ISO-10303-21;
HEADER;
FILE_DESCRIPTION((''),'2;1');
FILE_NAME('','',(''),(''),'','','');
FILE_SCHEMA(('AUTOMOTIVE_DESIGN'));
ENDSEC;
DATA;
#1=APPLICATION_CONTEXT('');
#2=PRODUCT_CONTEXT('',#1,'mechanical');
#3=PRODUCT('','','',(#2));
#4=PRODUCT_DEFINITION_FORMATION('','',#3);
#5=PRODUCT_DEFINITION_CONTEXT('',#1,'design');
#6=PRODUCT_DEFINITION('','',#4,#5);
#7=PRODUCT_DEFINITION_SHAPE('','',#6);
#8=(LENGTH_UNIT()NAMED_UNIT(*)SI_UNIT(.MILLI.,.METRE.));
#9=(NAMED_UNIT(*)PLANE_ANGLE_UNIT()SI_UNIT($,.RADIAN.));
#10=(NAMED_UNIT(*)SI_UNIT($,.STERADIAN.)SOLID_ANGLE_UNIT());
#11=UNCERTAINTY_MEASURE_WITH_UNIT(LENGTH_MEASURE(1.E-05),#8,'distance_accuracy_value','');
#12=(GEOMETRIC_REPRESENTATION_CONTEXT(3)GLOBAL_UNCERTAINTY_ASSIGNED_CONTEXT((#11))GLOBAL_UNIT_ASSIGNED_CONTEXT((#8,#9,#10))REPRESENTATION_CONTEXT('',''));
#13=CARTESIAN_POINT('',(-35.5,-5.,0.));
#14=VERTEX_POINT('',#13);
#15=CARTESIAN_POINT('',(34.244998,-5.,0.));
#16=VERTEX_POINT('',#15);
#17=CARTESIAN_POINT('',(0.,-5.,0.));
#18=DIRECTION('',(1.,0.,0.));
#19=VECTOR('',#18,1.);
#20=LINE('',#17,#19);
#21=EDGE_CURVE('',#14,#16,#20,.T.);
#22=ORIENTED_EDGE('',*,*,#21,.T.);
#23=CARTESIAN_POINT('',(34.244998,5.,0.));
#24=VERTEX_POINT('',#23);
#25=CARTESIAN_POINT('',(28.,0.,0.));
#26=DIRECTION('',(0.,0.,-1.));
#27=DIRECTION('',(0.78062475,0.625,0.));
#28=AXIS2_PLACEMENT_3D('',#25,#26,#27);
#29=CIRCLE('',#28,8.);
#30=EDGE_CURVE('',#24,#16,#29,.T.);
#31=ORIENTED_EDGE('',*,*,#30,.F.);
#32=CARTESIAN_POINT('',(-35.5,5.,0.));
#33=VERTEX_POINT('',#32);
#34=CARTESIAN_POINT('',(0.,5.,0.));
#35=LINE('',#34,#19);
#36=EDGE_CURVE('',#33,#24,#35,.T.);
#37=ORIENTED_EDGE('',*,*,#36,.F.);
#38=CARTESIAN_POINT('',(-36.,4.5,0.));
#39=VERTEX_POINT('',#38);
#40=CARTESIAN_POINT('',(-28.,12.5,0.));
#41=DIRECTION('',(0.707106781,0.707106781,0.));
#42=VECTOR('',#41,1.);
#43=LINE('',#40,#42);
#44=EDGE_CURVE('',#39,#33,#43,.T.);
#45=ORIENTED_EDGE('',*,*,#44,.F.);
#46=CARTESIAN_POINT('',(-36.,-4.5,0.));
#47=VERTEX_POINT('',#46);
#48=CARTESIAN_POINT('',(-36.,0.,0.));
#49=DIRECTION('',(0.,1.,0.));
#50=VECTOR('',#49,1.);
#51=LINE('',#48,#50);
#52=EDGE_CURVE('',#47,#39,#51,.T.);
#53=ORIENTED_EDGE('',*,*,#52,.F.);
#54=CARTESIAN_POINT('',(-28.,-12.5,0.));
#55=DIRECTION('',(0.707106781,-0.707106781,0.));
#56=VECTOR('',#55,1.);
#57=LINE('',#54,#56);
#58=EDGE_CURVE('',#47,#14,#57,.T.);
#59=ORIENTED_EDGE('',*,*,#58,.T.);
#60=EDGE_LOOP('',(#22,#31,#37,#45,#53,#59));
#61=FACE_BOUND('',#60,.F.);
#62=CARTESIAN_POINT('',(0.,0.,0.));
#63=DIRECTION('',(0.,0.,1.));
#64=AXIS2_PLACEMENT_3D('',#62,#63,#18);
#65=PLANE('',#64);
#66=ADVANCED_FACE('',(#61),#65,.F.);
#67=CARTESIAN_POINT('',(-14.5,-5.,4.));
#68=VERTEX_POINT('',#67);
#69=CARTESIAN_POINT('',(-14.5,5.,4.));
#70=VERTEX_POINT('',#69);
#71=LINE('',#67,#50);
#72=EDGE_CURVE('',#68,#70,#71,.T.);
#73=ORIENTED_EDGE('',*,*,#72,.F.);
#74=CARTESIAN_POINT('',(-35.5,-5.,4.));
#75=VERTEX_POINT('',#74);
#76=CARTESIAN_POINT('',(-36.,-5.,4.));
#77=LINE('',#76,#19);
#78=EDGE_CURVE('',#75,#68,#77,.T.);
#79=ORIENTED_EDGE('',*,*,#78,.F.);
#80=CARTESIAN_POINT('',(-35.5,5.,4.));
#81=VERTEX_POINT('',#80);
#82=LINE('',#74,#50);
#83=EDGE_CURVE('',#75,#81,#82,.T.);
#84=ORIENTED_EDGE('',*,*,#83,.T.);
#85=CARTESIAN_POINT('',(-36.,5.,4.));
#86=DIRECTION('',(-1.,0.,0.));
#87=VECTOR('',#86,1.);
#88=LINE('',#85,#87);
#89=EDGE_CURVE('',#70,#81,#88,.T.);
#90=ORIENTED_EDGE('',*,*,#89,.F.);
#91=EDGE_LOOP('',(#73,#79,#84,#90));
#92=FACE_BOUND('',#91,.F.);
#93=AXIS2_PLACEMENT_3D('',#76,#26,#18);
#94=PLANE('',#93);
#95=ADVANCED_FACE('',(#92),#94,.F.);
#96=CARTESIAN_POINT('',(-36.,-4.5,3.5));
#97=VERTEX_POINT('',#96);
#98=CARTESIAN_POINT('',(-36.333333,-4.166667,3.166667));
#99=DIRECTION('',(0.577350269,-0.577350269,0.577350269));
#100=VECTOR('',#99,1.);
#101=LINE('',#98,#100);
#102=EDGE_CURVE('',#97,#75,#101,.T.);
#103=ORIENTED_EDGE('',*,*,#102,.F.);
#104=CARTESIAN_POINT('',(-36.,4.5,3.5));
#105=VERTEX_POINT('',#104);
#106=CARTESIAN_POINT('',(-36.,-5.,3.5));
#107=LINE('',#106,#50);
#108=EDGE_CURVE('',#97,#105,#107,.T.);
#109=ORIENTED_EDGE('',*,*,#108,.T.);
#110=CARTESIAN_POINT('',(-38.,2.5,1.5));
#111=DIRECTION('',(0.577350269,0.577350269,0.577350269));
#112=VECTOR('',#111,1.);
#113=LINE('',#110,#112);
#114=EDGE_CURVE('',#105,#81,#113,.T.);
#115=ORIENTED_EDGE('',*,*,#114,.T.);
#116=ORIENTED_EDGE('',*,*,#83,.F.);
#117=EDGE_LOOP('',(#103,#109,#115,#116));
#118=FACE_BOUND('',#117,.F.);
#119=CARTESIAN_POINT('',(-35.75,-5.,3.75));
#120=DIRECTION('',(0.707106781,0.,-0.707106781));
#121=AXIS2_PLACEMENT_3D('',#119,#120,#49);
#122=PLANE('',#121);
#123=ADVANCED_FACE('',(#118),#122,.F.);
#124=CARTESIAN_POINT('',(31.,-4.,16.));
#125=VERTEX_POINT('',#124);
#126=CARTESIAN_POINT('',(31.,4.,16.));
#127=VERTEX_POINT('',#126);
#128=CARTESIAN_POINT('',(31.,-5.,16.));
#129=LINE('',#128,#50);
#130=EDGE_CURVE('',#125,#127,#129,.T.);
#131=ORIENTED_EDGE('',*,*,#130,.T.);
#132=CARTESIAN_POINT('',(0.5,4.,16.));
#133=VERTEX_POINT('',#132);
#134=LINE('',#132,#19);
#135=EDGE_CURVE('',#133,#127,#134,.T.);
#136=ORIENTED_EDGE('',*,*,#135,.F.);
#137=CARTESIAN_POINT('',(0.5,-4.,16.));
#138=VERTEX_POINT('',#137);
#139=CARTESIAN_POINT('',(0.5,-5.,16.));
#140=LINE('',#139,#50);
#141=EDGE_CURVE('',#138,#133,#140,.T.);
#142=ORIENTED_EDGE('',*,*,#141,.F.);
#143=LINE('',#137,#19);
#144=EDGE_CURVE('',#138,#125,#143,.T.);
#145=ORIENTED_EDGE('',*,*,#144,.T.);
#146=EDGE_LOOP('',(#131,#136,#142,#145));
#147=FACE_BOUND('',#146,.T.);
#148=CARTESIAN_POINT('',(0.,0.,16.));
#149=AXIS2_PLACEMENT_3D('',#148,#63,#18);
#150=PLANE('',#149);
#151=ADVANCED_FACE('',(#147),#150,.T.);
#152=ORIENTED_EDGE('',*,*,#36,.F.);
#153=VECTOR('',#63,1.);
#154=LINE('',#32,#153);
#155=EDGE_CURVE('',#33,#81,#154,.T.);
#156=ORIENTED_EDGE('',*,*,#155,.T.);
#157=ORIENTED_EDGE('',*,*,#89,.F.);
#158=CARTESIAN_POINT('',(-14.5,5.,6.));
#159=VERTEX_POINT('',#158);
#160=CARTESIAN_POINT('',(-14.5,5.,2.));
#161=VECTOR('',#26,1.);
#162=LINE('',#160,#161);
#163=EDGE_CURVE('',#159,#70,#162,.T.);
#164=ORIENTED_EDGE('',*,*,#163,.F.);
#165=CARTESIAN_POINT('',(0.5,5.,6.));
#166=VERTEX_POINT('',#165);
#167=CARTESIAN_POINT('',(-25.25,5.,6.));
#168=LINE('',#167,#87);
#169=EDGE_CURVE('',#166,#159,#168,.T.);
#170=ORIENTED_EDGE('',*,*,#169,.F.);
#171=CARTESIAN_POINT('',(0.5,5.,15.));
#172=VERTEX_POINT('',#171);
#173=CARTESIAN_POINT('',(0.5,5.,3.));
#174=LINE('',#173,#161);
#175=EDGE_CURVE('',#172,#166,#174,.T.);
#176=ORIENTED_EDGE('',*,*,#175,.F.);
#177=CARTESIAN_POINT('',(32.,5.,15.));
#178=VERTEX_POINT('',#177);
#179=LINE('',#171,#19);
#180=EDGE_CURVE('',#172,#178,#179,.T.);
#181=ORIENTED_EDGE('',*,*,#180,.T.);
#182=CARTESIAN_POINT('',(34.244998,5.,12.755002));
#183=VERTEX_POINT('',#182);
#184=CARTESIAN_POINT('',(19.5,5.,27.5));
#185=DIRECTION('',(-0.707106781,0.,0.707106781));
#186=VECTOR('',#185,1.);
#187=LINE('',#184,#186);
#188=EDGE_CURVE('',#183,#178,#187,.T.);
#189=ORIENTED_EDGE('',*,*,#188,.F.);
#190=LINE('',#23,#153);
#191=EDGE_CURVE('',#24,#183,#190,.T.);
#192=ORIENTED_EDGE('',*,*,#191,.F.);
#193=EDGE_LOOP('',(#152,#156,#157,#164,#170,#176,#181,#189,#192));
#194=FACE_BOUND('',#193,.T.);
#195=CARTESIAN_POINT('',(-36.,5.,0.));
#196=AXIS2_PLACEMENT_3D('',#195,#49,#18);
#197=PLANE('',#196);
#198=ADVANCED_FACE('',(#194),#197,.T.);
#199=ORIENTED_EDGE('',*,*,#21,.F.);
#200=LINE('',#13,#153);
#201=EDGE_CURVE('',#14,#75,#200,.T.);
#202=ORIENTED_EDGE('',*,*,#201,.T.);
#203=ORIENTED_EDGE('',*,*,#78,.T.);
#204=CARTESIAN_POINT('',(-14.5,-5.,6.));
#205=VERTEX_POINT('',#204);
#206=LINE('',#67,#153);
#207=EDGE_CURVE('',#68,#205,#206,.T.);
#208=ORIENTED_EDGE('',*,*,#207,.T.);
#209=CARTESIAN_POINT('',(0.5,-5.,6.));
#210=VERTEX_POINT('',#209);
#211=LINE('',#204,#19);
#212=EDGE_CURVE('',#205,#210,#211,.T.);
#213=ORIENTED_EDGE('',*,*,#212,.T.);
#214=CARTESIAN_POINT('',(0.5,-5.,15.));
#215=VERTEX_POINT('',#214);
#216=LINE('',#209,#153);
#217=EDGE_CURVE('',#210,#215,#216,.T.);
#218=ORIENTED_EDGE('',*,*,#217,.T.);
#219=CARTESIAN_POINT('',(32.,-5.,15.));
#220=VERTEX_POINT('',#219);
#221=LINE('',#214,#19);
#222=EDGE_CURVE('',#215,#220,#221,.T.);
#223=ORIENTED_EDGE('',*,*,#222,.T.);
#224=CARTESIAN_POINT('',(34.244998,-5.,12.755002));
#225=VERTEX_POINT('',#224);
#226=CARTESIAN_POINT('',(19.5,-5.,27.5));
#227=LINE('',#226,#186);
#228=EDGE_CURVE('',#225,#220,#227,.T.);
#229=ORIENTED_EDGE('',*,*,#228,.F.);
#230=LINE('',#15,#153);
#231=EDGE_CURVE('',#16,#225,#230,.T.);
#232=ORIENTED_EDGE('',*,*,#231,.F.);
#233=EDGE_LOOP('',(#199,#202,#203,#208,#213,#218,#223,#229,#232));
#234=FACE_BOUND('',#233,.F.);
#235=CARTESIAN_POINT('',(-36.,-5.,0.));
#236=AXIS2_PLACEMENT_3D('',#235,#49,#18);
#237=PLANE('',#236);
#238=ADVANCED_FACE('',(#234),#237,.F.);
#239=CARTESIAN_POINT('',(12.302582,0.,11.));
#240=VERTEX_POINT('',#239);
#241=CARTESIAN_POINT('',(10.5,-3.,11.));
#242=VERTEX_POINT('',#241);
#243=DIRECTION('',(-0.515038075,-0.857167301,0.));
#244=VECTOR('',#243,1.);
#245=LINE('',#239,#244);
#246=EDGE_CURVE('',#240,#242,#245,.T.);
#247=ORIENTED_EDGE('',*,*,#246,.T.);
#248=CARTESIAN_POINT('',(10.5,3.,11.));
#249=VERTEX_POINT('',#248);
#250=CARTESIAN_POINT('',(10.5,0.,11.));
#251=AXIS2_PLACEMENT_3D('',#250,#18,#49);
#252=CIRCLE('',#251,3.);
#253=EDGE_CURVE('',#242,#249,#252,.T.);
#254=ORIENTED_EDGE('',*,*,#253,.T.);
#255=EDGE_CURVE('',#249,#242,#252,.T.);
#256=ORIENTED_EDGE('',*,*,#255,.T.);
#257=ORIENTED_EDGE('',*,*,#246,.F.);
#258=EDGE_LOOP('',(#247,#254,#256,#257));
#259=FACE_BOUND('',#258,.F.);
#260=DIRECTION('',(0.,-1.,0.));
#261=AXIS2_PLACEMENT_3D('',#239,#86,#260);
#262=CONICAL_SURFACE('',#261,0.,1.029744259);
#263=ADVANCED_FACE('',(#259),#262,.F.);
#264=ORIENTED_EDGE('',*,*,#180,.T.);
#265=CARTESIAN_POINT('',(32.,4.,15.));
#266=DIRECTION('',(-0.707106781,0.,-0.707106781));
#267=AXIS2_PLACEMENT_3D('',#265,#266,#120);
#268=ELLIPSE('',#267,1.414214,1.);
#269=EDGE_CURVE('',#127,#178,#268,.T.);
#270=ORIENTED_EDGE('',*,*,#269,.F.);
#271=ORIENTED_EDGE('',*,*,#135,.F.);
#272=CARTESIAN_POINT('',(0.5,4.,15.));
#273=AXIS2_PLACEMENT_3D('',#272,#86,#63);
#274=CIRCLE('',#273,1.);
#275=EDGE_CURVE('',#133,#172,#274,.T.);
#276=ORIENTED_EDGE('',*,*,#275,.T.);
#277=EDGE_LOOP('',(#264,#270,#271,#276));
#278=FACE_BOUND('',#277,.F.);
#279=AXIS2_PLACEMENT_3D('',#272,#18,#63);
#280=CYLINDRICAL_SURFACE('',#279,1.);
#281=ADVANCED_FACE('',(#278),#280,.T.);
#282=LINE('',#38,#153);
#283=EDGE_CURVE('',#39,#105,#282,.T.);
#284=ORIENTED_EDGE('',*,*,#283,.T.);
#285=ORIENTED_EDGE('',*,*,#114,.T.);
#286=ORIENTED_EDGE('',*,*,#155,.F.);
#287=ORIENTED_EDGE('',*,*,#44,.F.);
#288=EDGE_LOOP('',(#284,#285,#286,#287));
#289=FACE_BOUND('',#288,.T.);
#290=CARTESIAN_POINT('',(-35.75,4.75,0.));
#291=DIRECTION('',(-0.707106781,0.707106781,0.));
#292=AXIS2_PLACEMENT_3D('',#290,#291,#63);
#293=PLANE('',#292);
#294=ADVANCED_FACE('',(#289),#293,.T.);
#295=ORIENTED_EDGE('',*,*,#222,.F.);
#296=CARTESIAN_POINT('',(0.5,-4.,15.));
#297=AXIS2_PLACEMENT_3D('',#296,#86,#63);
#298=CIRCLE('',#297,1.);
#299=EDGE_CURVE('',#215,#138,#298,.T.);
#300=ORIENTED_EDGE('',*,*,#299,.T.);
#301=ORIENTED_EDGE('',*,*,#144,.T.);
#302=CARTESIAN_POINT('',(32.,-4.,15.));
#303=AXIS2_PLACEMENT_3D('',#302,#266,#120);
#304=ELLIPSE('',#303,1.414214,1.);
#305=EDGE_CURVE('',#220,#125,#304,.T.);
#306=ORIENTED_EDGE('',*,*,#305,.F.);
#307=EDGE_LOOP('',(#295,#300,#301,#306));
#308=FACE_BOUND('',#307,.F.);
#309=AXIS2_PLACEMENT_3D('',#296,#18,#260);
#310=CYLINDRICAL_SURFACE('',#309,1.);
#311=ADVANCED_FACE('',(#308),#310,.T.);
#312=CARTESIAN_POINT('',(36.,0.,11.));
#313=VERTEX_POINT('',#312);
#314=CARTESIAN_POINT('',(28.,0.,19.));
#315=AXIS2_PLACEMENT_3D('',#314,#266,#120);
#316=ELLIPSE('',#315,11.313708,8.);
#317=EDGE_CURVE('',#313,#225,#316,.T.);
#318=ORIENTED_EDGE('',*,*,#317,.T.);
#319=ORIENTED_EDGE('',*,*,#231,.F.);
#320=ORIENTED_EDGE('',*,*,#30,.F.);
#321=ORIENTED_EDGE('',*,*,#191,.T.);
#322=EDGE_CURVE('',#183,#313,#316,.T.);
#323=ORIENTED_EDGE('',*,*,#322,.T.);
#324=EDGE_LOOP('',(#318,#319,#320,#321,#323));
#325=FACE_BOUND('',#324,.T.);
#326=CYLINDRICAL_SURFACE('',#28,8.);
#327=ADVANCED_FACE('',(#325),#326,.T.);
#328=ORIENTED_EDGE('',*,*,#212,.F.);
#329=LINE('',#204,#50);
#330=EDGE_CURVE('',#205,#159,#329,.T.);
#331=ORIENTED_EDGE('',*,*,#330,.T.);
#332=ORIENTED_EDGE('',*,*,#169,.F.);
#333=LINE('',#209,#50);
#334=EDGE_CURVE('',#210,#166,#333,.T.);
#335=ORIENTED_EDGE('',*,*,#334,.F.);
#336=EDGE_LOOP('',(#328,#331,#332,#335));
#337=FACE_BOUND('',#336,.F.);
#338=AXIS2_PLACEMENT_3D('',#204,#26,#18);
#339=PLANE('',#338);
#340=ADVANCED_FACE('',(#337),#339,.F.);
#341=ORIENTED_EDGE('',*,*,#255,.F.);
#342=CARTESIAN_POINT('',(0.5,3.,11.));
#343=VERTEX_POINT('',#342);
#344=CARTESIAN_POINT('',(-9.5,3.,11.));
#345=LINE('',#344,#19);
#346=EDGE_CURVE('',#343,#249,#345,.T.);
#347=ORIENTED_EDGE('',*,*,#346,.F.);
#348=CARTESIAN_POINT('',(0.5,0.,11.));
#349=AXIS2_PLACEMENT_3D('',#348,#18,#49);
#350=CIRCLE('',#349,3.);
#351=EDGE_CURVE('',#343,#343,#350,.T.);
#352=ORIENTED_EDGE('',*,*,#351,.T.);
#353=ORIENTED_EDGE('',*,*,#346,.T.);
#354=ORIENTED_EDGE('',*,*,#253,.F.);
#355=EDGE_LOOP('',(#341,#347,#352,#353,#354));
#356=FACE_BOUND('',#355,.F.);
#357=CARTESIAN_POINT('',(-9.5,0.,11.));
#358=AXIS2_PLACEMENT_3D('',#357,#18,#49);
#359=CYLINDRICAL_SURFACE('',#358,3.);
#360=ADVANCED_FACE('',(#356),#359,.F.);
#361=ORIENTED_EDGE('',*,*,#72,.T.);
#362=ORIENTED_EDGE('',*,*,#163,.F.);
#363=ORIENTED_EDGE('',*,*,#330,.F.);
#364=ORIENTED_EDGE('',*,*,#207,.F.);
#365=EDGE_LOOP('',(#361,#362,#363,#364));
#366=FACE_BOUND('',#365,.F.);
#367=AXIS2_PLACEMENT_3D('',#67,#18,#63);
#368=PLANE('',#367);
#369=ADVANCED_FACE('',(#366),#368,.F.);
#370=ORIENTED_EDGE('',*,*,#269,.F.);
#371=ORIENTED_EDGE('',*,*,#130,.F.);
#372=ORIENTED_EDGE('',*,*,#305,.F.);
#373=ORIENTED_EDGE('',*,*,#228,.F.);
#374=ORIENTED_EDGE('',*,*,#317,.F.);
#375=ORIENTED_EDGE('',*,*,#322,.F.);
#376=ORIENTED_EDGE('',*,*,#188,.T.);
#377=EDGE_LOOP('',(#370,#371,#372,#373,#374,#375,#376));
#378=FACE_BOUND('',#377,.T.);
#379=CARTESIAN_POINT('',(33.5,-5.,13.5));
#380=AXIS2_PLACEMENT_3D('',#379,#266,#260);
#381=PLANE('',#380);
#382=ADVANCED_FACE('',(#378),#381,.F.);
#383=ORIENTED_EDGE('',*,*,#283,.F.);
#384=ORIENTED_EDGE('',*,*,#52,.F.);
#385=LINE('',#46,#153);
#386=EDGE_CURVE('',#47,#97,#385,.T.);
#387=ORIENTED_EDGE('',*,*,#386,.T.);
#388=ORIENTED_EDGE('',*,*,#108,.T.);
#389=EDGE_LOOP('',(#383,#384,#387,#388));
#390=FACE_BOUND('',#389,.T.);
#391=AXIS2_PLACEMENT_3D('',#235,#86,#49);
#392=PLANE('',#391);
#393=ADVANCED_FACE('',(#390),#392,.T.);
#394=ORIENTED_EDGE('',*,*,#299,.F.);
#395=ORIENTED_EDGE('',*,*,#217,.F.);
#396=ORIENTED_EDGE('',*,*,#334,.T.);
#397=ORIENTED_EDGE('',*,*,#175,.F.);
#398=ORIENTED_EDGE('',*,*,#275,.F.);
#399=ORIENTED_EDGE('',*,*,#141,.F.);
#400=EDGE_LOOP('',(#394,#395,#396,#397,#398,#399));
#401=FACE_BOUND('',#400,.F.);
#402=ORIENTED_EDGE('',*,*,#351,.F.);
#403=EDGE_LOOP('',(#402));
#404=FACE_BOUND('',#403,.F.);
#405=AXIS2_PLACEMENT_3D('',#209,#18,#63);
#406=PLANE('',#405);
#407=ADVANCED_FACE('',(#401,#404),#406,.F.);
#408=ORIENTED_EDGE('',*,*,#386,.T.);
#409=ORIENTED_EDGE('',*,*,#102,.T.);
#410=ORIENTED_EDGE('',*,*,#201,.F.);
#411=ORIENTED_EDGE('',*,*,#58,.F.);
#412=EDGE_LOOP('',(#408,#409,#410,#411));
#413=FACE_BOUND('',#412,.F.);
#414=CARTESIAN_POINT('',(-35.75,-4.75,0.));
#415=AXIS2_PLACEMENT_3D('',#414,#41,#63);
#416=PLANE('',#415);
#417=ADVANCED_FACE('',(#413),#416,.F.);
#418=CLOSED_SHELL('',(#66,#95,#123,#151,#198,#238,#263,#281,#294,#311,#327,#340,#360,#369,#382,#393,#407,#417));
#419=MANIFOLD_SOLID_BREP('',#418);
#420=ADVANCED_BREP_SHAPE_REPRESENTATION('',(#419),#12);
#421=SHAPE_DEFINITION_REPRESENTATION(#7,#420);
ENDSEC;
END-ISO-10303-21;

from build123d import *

# Parameters (mm, degrees)
F0_W      = 72
F0_H      = 10
F1_DEPTH  = 16
F3_DEPTH  = 25
F5_D      = 6
F5_DEPTH  = 10
F5_TIP    = 1.8025818571
F6_SIZE   = 0.5
F7_SIZE   = 5
F8_R      = 1
F10_DEPTH = 20


with BuildPart() as f1:
    # F0 (on Top) → F1 (new body)
    with BuildSketch(Plane.XY):
        Rectangle(F0_W, F0_H)
    extrude(amount=F1_DEPTH)

    # F2 (on face) → F3 (cut)
    with BuildSketch(Plane.XZ.offset(5)):
        Polygon((-36, 16), (-36, 4), (-14.5, 4), (-14.5, 6), (0.5, 6), (0.5, 16), align=None)
    extrude(amount=-F3_DEPTH, mode=Mode.SUBTRACT)

    # F5
    with Locations(Plane(origin=(0.5, 0, 0), x_dir=(0, -1, 0), z_dir=(-1, 0, 0))):
        with Locations((0, 11)):
            Hole(F5_D / 2, depth=F5_DEPTH)
            with Locations((0, 0, -(F5_DEPTH + F5_TIP / 2))):  # 118° drill point
                Cone(0, F5_D / 2, F5_TIP, mode=Mode.SUBTRACT)

    # F6
    f6_edges = [f1.edges().sort_by_distance(p)[0] for p in [
        (-36, 0, 4),
        (-36, -5, 2),
        (-36, 5, 2),
    ]]
    chamfer(f6_edges, length=F6_SIZE)

    # F7
    f7_edges = [f1.edges().sort_by_distance(p)[0] for p in [
        (36, 0, 16),
    ]]
    chamfer(f7_edges, length=F7_SIZE)

    # F8
    f8_edges = [f1.edges().sort_by_distance(p)[0] for p in [
        (15.75, -5, 16),
        (15.75, 5, 16),
    ]]
    fillet(f8_edges, radius=F8_R)

    # F9 (on Top) → F10 (cut)
    with BuildSketch(Plane.XY):
        with BuildLine():
            ThreePointArc((34.2449979984, 5), (36, 0), (34.2449979984, -5))
            Line((34.2449979984, -5), (37.1483493294, -5))
            Line((37.1483493294, -5), (37.1483493294, 5))
            Line((37.1483493294, 5), (34.2449979984, 5))
        make_face()
    extrude(amount=F10_DEPTH, mode=Mode.SUBTRACT)


solid = f1.part
